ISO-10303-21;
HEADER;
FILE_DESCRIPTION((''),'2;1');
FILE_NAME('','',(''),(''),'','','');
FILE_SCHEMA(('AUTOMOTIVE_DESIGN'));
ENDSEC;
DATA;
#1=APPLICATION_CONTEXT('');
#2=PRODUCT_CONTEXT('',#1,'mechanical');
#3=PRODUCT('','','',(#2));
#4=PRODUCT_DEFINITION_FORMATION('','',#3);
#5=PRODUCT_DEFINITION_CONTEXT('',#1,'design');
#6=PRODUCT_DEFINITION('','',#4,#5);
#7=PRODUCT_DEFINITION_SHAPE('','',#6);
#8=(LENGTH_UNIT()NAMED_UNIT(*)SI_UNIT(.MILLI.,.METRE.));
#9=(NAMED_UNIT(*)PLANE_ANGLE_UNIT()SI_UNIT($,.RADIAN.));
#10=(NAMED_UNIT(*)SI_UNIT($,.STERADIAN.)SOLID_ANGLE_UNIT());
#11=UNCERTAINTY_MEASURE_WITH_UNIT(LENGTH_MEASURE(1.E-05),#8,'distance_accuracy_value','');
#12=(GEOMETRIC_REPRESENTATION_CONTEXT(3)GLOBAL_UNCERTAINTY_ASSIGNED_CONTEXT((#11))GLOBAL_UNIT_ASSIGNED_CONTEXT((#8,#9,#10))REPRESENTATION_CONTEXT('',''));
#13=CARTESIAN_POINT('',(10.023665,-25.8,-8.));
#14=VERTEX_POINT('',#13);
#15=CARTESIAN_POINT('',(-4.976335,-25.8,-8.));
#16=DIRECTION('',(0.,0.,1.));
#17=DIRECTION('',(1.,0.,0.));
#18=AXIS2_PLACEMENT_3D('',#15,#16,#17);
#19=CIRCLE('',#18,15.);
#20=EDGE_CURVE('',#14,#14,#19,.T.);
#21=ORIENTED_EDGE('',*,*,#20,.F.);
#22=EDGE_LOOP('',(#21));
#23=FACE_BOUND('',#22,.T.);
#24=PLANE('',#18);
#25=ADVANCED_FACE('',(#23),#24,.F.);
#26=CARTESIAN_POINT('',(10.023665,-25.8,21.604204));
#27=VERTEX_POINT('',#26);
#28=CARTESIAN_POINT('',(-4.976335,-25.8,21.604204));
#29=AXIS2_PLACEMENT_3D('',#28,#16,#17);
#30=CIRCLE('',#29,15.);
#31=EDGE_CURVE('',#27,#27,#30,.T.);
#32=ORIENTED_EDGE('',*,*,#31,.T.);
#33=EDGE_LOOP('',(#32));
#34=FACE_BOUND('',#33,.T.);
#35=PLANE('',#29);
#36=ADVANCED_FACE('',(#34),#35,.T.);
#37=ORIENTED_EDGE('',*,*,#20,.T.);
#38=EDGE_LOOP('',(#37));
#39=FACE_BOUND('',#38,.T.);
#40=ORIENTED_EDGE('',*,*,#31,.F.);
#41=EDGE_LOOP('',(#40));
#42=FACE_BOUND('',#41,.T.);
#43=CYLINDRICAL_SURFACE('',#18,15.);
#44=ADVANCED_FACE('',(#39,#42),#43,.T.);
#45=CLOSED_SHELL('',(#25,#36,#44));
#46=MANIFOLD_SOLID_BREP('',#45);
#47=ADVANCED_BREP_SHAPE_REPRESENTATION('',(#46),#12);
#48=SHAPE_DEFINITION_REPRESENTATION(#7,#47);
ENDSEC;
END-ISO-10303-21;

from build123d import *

# Parameters (mm, degrees)
SALIENTE_EXTRUIR1_DEPTH      = 21.604204
SALIENTE_EXTRUIR1_DEPTH_BACK = 8
CROQUIS1_R                   = 15


with BuildPart() as part:
    # Croquis1 → Saliente-Extruir1 (new, two sides: drawn at the far end of the back side and taken through both)
    with BuildSketch(Plane.XY.offset(-SALIENTE_EXTRUIR1_DEPTH_BACK)):
        with Locations((-4.976335362, -25.8)):
            Circle(CROQUIS1_R)
    extrude(amount=SALIENTE_EXTRUIR1_DEPTH + SALIENTE_EXTRUIR1_DEPTH_BACK)


solid = part.part
